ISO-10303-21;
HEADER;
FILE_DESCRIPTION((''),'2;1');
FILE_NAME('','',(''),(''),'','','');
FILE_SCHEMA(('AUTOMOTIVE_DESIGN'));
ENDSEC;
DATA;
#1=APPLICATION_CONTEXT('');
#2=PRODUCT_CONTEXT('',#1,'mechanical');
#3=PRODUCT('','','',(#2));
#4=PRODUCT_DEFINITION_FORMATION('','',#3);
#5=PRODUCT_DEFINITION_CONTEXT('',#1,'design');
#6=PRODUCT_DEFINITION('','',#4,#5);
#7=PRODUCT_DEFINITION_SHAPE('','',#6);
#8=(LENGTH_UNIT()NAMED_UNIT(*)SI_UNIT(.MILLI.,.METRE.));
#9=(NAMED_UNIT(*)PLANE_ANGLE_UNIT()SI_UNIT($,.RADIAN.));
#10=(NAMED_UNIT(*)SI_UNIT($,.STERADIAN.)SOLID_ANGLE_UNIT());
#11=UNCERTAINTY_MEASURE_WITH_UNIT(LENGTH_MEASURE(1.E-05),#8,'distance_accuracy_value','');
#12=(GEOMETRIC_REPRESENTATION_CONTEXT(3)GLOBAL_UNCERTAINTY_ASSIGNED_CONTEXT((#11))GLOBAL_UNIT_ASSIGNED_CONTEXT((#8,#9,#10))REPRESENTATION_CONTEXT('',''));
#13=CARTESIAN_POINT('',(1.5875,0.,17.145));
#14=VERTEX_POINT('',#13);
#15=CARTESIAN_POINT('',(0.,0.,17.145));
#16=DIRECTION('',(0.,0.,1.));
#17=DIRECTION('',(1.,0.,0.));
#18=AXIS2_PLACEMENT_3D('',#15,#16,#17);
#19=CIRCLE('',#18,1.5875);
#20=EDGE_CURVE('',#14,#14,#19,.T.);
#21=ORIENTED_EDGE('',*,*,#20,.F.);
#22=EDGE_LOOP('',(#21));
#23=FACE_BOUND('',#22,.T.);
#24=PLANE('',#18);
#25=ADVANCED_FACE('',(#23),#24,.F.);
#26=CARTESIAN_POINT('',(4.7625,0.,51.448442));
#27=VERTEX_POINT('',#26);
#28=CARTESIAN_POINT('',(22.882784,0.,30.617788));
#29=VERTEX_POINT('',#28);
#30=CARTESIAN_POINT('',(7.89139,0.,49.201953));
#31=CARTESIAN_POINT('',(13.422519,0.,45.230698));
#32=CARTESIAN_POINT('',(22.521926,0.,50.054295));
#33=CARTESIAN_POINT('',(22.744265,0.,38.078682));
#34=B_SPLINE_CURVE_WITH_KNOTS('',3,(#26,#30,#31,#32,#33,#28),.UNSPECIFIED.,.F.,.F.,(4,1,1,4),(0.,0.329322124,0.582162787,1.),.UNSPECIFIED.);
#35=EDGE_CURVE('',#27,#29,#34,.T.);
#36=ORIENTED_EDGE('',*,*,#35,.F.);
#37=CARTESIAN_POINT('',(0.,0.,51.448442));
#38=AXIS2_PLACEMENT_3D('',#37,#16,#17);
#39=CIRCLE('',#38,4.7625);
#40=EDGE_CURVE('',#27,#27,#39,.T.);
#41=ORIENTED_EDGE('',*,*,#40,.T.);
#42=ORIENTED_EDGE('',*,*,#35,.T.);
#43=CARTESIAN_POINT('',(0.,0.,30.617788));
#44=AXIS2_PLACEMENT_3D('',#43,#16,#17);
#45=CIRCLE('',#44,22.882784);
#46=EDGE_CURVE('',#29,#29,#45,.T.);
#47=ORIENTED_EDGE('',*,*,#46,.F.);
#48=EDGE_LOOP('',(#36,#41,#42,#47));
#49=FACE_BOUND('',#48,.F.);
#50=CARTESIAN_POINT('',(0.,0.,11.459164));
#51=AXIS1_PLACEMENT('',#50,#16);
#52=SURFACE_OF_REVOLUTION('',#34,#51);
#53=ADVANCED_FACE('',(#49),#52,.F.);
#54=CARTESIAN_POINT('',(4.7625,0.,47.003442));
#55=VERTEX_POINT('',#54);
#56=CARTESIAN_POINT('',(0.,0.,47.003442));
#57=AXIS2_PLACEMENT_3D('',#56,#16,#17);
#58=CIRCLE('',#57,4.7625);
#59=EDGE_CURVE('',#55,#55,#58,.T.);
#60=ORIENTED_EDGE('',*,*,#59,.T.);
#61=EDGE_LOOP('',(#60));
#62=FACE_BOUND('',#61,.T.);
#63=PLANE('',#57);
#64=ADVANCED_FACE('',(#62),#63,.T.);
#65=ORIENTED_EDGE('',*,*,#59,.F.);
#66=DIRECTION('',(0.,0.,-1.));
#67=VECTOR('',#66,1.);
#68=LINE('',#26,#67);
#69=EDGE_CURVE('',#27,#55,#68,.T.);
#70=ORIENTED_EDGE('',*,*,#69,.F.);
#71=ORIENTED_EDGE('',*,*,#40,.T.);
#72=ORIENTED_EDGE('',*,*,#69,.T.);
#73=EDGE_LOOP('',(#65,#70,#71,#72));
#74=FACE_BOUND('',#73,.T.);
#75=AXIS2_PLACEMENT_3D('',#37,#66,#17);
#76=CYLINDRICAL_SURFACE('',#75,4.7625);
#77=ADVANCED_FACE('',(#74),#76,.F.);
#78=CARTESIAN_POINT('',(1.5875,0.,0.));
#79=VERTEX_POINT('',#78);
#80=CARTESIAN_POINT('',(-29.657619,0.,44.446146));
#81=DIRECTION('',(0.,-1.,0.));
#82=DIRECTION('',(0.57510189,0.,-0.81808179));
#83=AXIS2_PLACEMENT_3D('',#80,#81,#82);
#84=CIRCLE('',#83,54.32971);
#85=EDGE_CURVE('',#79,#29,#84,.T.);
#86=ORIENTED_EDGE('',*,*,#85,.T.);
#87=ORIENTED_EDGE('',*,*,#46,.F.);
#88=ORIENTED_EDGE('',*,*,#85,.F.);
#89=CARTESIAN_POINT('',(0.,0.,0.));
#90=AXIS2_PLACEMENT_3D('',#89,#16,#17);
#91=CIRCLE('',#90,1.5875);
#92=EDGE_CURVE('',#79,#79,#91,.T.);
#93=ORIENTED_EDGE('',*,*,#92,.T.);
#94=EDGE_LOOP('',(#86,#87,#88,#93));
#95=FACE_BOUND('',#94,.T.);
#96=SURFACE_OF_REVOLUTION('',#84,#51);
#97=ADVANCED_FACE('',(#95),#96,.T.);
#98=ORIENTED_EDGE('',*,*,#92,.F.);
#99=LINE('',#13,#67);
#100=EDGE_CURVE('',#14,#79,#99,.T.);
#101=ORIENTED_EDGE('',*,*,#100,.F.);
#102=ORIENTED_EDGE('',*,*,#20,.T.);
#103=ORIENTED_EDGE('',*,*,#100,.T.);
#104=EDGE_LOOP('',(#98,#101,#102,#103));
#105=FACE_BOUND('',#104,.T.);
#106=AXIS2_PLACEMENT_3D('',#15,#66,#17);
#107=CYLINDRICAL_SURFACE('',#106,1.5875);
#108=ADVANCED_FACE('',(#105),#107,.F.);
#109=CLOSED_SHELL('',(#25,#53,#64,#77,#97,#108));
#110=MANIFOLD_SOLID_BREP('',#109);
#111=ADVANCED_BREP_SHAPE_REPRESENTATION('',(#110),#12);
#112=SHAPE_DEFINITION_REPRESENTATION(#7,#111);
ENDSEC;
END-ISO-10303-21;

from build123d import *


with BuildPart() as f1:
    # F0 (on Front) → F1 (revolve)
    with BuildSketch(Plane.XZ):
        with BuildLine():
            Line((0, 22.9183282804), (0, 17.145))
            Line((0, 17.145), (1.5875, 17.145))
            Line((1.5875, 17.145), (1.5875, 0))
            ThreePointArc((1.5875, 0), (14.9446864342, 13.4243517798), (22.8827835718, 30.617788434))
            add(Edge.make_bspline(
                [(4.7625, 51.4484420419), (7.8913899724, 49.2019532711), (13.4225194561, 45.2306981663), (22.5219255179, 50.0542947434), (22.744264662, 38.0786823647), (22.8827835718, 30.617788434)],
                knots=[0, 0, 0, 0, 0.3293221235, 0.5821627872, 1, 1, 1, 1], degree=3))
            Line((4.7625, 51.4484420419), (4.7625, 47.0034420419))
            Line((4.7625, 47.0034420419), (0, 47.0034420419))
            Line((0, 47.0034420419), (0, 22.9183282804))
        make_face()
    revolve(axis=Axis((0, 0, 11.4591641402), (0, 0, 1)))


solid = f1.part
